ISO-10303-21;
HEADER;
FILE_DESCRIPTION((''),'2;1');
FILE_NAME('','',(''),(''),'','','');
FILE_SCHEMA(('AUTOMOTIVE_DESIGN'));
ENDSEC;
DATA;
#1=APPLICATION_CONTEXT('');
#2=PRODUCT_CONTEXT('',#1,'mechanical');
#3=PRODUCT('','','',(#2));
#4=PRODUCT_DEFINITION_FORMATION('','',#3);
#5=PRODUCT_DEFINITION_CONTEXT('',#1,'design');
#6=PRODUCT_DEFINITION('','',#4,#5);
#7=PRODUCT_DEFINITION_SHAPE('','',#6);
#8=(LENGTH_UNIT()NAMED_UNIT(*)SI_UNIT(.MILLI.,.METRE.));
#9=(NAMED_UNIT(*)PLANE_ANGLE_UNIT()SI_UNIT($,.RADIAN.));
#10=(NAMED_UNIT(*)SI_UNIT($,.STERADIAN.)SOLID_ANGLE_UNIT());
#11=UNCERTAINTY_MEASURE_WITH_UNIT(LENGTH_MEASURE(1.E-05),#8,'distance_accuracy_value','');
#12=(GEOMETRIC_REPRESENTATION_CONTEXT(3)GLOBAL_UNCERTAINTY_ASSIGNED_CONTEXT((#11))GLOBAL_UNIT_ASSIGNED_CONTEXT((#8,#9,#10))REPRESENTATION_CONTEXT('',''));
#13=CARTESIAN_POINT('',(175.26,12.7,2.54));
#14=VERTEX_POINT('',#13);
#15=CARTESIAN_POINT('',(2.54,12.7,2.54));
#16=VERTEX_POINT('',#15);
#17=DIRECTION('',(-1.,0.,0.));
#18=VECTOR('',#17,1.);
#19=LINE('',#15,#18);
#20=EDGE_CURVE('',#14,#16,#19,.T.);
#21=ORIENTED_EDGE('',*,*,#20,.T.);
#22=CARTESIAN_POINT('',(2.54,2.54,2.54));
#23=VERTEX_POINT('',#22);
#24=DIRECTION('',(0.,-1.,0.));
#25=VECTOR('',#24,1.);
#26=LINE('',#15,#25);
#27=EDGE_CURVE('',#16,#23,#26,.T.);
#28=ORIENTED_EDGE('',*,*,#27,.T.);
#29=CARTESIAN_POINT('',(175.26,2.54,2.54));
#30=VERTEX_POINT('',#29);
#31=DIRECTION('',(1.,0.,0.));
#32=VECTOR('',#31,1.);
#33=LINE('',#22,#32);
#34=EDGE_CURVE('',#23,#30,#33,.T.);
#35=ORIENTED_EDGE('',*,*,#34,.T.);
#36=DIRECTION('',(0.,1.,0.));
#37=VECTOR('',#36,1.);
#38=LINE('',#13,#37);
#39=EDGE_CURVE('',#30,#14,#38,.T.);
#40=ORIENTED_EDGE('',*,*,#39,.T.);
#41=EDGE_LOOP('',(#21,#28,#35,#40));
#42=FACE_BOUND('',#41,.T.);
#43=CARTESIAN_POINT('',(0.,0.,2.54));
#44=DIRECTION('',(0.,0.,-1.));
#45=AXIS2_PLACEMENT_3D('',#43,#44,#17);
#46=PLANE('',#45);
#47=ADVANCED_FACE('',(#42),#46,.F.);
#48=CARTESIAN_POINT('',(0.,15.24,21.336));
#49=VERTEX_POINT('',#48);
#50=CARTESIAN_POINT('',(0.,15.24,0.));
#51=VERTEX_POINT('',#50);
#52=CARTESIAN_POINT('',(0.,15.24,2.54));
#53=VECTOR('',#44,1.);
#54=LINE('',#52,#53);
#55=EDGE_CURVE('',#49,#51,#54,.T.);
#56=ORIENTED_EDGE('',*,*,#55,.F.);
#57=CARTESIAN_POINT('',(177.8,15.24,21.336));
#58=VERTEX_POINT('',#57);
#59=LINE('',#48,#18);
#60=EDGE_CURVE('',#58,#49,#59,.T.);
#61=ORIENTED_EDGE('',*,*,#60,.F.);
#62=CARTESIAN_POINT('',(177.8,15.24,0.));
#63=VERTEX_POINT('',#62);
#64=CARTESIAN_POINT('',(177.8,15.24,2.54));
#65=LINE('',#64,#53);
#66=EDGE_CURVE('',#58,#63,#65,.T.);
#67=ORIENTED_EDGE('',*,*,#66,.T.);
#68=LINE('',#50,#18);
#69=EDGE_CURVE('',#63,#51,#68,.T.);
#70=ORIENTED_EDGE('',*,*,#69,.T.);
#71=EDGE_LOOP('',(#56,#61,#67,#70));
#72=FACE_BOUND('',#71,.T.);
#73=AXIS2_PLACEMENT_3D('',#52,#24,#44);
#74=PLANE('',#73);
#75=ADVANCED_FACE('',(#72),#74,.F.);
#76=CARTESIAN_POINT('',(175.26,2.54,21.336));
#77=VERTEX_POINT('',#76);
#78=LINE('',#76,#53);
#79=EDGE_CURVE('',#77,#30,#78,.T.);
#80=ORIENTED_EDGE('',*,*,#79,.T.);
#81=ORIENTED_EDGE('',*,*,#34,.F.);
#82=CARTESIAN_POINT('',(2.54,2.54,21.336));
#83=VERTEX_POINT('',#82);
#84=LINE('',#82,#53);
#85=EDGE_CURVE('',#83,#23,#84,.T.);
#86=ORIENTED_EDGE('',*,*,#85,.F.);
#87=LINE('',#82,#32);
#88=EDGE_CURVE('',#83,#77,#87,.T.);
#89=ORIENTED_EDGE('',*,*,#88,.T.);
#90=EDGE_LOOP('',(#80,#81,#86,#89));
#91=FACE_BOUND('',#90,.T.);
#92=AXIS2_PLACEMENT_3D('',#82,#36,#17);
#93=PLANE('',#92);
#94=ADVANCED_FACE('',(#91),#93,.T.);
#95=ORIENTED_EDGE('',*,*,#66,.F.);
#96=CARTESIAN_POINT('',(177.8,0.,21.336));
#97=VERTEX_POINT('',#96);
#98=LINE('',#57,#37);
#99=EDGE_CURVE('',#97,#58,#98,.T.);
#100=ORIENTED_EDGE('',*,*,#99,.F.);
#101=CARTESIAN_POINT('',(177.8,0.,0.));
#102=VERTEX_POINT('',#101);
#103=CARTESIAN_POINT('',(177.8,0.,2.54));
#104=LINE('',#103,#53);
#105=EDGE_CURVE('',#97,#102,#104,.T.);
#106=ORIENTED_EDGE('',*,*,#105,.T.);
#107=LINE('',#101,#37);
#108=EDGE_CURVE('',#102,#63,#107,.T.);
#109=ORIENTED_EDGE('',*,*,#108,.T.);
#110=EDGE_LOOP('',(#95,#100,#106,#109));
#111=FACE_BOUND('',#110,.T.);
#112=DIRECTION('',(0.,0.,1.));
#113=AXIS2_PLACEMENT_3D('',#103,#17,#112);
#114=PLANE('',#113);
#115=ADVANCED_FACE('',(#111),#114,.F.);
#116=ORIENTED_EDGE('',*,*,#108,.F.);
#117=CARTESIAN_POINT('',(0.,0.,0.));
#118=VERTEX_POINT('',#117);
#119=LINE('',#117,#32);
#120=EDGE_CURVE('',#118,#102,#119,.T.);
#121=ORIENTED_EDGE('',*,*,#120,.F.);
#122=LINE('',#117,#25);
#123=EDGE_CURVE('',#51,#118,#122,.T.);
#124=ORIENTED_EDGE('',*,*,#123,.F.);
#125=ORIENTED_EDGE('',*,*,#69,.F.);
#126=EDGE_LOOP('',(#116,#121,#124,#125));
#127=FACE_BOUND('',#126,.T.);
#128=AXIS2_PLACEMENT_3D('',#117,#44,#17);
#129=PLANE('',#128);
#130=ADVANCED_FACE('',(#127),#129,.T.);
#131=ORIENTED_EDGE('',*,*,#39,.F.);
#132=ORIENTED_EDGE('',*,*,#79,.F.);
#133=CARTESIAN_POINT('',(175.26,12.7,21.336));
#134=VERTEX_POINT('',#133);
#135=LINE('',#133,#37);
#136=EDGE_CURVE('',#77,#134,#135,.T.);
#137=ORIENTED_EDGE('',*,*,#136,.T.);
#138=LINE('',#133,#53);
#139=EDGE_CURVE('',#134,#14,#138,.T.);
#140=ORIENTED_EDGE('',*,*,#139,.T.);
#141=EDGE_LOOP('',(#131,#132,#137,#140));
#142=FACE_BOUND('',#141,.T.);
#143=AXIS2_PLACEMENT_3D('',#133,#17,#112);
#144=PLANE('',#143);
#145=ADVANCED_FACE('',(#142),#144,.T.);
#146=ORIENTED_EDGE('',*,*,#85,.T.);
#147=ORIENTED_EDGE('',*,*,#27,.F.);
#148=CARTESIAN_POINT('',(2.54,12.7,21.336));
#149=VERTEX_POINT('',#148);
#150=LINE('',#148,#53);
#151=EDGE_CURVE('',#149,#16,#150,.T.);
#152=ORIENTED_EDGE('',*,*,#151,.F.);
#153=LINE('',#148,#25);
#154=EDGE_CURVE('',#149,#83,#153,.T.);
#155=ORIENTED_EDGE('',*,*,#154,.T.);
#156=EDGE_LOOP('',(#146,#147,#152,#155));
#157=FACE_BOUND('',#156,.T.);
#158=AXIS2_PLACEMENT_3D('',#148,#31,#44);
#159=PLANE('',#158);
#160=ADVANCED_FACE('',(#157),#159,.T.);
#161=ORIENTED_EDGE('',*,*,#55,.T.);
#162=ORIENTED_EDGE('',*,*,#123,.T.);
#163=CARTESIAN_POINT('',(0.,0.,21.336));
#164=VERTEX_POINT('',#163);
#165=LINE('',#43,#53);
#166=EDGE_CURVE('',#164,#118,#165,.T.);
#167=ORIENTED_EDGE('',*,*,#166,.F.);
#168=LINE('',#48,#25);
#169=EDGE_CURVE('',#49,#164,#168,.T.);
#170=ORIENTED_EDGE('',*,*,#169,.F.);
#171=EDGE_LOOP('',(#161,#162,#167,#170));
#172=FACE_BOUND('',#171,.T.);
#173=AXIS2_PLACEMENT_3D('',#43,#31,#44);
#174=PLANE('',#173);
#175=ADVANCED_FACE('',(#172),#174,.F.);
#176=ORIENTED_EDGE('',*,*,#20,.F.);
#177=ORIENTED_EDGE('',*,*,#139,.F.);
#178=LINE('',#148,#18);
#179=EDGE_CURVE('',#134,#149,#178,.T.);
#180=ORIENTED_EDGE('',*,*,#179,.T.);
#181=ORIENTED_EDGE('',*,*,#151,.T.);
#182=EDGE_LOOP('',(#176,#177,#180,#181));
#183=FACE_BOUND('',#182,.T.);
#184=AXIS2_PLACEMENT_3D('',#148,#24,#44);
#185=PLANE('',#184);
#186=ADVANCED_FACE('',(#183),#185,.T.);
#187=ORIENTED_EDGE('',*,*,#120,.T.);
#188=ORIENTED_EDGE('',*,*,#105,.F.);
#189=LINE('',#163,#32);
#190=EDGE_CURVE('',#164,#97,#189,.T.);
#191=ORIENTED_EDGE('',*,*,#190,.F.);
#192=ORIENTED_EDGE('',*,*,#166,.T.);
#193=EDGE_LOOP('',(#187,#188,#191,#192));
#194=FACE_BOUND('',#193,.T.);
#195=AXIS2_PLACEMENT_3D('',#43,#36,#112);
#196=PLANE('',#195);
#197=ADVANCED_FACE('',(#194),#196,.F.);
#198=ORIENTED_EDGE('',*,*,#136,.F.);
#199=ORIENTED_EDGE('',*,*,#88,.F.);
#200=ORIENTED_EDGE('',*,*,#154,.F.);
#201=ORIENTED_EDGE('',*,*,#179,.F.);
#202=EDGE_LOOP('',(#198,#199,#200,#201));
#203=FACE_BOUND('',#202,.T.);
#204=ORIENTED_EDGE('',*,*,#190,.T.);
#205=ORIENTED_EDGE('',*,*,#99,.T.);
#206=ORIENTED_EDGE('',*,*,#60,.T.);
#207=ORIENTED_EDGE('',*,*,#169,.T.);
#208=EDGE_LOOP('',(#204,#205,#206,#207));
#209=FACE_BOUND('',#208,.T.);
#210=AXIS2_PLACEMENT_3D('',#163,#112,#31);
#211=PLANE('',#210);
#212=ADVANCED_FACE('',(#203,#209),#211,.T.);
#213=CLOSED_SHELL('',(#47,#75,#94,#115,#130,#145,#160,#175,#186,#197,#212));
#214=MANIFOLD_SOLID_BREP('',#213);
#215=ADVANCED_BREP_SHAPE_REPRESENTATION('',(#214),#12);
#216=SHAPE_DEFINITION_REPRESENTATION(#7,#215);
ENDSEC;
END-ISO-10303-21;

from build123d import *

# Parameters (mm, degrees)
SKETCH1_W           = 177.8
SKETCH1_H           = 15.24
BOSS_EXTRUDE1_DEPTH = 2.54
SKETCH2_W           = 177.8
SKETCH2_H           = 15.24
SKETCH2_W_2         = 172.72
SKETCH2_H_2         = 10.16
BOSS_EXTRUDE2_DEPTH = 18.796


with BuildPart() as part:
    # Sketch1 → Boss-Extrude1 (new body)
    with BuildSketch(Plane.XY):
        with Locations((88.9, 7.62)):
            Rectangle(SKETCH1_W, SKETCH1_H)
    extrude(amount=BOSS_EXTRUDE1_DEPTH)

    # Sketch2 → Boss-Extrude2 (add)
    with BuildSketch(Plane.XY.offset(2.54)):
        with Locations((88.9, 7.62)):
            Rectangle(SKETCH2_W, SKETCH2_H)
        with Locations((88.9, 7.62)):
            Rectangle(SKETCH2_W_2, SKETCH2_H_2, mode=Mode.SUBTRACT)
    extrude(amount=BOSS_EXTRUDE2_DEPTH)


solid = part.part
